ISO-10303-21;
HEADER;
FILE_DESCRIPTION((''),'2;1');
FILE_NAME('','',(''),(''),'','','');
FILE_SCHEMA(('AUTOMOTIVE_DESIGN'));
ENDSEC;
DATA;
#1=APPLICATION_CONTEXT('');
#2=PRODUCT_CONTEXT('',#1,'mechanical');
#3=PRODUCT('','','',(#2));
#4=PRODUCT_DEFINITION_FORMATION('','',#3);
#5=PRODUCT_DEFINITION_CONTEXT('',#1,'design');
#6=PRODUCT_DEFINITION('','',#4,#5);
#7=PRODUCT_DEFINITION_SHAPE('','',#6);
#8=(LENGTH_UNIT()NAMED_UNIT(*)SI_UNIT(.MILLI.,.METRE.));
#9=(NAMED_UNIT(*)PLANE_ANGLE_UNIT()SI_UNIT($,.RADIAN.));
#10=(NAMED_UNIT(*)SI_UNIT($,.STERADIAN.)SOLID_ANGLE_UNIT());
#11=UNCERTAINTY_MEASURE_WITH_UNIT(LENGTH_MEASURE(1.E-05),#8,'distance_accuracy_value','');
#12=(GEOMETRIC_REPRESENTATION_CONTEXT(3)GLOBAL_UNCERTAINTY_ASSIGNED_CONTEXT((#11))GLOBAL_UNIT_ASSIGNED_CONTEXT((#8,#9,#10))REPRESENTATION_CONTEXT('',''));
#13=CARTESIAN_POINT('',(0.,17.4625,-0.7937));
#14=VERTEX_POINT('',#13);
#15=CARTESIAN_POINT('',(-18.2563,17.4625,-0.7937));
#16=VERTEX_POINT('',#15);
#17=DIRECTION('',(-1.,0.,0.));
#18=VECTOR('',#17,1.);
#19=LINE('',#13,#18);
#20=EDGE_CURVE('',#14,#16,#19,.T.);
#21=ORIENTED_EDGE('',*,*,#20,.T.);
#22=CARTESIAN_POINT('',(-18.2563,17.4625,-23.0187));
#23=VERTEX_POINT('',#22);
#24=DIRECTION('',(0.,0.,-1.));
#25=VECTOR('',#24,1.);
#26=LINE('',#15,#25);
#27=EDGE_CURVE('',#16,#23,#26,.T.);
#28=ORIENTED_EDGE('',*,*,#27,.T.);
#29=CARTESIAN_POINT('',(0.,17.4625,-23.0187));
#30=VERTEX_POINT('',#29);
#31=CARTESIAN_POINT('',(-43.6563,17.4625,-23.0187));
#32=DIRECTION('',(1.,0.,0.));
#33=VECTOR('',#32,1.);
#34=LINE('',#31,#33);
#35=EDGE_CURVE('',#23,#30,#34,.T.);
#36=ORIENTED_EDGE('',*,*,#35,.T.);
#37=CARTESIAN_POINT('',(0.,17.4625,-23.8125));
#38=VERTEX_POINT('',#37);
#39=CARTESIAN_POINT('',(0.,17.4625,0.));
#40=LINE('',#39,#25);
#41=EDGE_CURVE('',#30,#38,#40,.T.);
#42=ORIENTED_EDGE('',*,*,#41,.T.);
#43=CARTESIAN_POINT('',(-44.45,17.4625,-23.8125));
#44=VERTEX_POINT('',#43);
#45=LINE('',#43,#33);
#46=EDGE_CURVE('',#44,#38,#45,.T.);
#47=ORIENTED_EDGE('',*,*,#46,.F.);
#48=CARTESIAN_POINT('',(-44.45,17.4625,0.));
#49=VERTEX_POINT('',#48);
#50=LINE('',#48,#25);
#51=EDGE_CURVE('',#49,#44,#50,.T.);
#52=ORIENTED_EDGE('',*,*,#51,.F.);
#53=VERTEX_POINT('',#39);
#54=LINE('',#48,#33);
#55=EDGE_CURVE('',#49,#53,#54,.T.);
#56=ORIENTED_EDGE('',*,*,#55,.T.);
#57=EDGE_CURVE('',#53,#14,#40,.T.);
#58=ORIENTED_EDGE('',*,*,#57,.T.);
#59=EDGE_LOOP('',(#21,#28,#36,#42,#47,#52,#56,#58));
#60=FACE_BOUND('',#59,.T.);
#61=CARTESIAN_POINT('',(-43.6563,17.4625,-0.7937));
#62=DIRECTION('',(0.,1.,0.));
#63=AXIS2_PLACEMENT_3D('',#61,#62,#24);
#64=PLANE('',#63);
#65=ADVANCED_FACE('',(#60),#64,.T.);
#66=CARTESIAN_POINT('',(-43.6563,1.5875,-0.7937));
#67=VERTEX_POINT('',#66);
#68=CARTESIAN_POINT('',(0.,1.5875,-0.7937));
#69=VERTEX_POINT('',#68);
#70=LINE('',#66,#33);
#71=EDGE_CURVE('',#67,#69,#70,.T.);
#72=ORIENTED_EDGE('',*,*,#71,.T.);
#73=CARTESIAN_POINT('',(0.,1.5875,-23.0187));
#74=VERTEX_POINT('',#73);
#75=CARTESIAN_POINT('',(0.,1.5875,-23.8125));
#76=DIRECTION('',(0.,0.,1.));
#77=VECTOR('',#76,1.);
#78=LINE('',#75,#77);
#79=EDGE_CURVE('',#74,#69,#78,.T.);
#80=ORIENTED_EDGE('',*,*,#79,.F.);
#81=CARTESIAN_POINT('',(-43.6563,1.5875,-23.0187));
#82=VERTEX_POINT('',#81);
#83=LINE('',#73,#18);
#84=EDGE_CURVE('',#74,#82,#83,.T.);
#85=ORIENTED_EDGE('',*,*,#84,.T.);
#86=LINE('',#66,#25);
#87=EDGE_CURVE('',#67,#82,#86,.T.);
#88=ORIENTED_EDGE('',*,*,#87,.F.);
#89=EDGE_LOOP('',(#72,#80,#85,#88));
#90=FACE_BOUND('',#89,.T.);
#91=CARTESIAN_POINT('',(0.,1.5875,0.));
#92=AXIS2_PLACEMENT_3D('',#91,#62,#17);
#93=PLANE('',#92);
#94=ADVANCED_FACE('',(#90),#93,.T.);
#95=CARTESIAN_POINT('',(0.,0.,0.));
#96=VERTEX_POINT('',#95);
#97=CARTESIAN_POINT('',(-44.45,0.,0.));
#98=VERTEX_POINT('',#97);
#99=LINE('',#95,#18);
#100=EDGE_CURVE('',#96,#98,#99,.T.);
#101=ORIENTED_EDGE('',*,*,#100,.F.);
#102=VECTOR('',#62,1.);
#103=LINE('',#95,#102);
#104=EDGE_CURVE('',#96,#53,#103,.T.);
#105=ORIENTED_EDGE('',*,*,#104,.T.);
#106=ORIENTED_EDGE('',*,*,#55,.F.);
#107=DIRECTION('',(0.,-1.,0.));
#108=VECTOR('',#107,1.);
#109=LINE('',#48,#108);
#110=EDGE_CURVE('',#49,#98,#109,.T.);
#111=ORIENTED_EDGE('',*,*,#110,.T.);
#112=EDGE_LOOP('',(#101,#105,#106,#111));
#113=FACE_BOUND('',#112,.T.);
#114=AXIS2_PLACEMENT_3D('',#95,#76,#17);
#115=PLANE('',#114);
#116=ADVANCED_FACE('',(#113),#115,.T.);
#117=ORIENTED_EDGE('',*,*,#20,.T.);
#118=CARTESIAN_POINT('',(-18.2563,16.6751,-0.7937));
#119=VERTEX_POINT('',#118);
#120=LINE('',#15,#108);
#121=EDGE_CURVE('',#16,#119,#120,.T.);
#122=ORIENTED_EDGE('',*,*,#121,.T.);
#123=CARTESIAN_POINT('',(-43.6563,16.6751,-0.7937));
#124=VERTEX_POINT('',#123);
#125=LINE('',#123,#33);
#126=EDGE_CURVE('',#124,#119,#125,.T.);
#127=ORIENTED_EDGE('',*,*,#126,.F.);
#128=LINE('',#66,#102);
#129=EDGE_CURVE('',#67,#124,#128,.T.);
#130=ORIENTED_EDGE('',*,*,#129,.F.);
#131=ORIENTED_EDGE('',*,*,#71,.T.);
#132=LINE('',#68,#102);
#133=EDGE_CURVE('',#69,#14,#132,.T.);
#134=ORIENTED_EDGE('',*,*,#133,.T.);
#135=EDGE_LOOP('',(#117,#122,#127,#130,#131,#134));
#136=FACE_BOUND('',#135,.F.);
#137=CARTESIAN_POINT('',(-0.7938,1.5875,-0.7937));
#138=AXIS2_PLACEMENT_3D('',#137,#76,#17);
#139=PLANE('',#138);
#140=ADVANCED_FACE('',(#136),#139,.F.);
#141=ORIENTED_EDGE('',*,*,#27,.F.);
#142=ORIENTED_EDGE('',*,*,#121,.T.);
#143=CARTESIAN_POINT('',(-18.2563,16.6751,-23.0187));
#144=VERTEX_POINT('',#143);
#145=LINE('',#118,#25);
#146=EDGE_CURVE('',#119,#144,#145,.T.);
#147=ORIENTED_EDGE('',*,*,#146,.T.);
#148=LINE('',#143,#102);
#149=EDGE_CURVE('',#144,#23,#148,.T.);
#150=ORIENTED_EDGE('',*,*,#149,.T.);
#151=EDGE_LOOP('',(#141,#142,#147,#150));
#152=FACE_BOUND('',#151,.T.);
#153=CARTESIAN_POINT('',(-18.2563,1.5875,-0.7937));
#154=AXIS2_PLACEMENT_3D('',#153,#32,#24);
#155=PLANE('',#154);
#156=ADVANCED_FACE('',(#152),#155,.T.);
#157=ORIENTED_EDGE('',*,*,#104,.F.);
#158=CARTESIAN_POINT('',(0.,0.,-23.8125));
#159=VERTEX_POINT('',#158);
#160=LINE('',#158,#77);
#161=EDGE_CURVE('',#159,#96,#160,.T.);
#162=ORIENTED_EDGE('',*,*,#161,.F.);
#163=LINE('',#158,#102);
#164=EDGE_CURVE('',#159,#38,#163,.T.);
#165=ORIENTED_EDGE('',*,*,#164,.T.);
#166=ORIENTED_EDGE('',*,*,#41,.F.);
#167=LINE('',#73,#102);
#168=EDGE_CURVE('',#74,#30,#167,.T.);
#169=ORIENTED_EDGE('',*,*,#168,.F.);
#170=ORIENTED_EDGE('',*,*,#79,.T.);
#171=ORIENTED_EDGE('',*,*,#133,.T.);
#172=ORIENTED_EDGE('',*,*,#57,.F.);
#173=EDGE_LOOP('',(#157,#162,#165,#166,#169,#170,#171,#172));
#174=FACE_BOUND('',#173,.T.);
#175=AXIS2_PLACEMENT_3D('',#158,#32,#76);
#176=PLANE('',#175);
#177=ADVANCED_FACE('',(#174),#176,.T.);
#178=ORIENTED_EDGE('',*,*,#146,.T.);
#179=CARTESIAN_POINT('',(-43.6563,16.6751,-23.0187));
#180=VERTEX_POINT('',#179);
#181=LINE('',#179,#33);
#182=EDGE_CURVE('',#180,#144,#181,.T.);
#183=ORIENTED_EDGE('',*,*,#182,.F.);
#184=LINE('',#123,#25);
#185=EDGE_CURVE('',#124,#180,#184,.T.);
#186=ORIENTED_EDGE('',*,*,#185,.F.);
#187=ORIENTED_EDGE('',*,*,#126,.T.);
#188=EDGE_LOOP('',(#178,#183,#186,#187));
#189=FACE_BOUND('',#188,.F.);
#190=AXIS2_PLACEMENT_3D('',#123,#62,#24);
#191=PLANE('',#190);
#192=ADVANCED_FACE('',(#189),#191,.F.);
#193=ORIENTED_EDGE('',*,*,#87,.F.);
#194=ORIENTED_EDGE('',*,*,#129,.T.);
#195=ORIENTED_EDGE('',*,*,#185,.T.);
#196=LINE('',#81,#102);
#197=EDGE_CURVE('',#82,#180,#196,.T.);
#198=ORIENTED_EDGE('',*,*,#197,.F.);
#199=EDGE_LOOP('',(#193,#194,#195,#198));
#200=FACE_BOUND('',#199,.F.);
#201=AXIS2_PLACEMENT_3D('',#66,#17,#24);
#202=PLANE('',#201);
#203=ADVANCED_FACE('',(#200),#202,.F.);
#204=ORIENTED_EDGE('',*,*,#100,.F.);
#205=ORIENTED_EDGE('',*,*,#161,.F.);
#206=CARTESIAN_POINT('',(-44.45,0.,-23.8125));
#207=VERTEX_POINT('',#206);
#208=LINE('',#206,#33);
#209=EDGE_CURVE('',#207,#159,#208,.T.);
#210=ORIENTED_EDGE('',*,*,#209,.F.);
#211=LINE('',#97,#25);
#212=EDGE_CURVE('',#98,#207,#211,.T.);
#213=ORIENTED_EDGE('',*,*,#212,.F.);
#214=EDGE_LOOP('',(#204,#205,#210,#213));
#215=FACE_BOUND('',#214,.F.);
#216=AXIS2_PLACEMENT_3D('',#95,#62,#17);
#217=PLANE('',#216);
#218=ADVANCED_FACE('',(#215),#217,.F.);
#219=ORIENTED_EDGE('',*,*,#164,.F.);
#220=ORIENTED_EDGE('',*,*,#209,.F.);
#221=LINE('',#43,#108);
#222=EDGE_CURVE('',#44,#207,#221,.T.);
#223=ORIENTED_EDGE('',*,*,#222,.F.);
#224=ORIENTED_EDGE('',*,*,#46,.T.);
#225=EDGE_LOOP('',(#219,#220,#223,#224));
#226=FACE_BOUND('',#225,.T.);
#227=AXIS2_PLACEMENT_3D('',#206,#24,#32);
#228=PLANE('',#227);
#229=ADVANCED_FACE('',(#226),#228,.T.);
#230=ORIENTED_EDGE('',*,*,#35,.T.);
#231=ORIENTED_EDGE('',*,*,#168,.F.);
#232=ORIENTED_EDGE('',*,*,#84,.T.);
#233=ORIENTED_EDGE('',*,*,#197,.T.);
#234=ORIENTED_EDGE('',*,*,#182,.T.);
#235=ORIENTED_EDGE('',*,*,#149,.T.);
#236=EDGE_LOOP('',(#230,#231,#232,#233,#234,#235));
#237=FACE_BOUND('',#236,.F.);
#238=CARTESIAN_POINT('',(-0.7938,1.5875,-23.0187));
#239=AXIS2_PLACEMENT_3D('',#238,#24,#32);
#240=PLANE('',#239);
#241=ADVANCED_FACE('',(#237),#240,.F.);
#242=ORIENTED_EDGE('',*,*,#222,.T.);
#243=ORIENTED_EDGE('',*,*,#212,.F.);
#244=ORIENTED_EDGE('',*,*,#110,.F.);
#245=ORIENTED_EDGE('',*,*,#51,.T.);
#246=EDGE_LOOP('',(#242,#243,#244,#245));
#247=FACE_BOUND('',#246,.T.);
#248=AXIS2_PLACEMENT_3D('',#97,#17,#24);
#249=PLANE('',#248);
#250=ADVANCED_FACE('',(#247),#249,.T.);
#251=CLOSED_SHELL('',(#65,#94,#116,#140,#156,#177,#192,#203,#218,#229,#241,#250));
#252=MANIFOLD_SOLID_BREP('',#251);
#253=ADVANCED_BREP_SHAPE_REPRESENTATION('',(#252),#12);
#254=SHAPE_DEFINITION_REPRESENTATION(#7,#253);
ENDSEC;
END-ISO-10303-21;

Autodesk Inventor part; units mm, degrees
ref_plane "YZ Plane" through (0, 0, 0) normal (1, 0, 0) x (0, 1, 0)
ref_plane "XZ Plane" through (0, 0, 0) normal (0, 1, 0) x (-1, 0, 0)
ref_plane "XY Plane" through (0, 0, 0) normal (0, 0, 1) x (1, 0, 0)
sketch "Sketch1" plane through (0, 0, 0) normal (0, 1, 0) x (-1, 0, 0)
  line L0 (0, 0) -> (44.45, 0)
  line L1 (44.45, 0) -> (44.45, -23.8125)
  line L2 (44.45, -23.8125) -> (0, -23.8125)
  line L3 (0, -23.8125) -> (0, 0)
  dimension "d0" = 44.45
  dimension "d1" = 23.8125
extrude "Extrusion1" add sketch "Sketch1" along normal blind 1.5875
sketch "Sketch2" plane through (0, 1.5875, 0) normal (0, 1, 0) x (1, 0, 0)
  line L0 (-44.45, 0) -> (0, 0) projected
  line L1 (0, 0) -> (0, 0.7937)
  line L2 (0, 0.7937) -> (-0.7938, 0.7937)
  line L3 (-44.45, 23.8125) -> (-44.45, 0) projected
  line L4 (-44.45, 23.8125) -> (-44.45, 23.0187)
  line L5 (-44.45, 23.0187) -> (-43.6563, 23.0187)
  line L6 (-0.7938, 0.7937) -> (-43.6563, 0.7937)
  line L7 (-43.6563, 0.7937) -> (-43.6563, 23.0187)
  line L8 (-43.6563, 23.0187) -> (-0.7938, 23.0187)
  line L9 (-44.45, 23.8125) -> (0, 23.8125)
  line L10 (0, 0) -> (-44.45, 0)
  line L11 (-44.45, 0) -> (-44.45, 23.8125)
  line L12 (-0.7938, 23.0187) -> (0, 23.0187)
  line L13 (0, 0) -> (0, 23.8125) projected
  line L14 (0, 23.0187) -> (0, 23.8125)
  dimension "d4" = 0.7937
  dimension "d5" = 0.7937
  dimension "d6" = 0.7937
  dimension "d7" = 0.7937
extrude "Extrusion3" add sketch "Sketch2" along normal blind 15.875 contours L3 L5 L7 L6 L2 L1 L0 | L3 L9 L13 L12 L8 L5
sketch "Sketch3" plane through (-43.6563, 1.5875, -0.7937) normal (1, 0, 0) x (0, 0, -1)
  line L0 (0, 15.875) -> (22.225, 15.875) projected
  line L1 (22.225, 15.875) -> (0, 15.875)
  line L2 (0, 15.875) -> (0, 15.0876)
  line L3 (0, 15.0876) -> (22.225, 15.0876)
  line L4 (22.225, 15.0876) -> (22.225, 15.875)
  point P0 (-0.7937, -1.5875)
  dimension "d12" = 0.7874
extrude "Extrusion4" add sketch "Sketch3" along normal blind 25.4
properties part number "RTCcase"
